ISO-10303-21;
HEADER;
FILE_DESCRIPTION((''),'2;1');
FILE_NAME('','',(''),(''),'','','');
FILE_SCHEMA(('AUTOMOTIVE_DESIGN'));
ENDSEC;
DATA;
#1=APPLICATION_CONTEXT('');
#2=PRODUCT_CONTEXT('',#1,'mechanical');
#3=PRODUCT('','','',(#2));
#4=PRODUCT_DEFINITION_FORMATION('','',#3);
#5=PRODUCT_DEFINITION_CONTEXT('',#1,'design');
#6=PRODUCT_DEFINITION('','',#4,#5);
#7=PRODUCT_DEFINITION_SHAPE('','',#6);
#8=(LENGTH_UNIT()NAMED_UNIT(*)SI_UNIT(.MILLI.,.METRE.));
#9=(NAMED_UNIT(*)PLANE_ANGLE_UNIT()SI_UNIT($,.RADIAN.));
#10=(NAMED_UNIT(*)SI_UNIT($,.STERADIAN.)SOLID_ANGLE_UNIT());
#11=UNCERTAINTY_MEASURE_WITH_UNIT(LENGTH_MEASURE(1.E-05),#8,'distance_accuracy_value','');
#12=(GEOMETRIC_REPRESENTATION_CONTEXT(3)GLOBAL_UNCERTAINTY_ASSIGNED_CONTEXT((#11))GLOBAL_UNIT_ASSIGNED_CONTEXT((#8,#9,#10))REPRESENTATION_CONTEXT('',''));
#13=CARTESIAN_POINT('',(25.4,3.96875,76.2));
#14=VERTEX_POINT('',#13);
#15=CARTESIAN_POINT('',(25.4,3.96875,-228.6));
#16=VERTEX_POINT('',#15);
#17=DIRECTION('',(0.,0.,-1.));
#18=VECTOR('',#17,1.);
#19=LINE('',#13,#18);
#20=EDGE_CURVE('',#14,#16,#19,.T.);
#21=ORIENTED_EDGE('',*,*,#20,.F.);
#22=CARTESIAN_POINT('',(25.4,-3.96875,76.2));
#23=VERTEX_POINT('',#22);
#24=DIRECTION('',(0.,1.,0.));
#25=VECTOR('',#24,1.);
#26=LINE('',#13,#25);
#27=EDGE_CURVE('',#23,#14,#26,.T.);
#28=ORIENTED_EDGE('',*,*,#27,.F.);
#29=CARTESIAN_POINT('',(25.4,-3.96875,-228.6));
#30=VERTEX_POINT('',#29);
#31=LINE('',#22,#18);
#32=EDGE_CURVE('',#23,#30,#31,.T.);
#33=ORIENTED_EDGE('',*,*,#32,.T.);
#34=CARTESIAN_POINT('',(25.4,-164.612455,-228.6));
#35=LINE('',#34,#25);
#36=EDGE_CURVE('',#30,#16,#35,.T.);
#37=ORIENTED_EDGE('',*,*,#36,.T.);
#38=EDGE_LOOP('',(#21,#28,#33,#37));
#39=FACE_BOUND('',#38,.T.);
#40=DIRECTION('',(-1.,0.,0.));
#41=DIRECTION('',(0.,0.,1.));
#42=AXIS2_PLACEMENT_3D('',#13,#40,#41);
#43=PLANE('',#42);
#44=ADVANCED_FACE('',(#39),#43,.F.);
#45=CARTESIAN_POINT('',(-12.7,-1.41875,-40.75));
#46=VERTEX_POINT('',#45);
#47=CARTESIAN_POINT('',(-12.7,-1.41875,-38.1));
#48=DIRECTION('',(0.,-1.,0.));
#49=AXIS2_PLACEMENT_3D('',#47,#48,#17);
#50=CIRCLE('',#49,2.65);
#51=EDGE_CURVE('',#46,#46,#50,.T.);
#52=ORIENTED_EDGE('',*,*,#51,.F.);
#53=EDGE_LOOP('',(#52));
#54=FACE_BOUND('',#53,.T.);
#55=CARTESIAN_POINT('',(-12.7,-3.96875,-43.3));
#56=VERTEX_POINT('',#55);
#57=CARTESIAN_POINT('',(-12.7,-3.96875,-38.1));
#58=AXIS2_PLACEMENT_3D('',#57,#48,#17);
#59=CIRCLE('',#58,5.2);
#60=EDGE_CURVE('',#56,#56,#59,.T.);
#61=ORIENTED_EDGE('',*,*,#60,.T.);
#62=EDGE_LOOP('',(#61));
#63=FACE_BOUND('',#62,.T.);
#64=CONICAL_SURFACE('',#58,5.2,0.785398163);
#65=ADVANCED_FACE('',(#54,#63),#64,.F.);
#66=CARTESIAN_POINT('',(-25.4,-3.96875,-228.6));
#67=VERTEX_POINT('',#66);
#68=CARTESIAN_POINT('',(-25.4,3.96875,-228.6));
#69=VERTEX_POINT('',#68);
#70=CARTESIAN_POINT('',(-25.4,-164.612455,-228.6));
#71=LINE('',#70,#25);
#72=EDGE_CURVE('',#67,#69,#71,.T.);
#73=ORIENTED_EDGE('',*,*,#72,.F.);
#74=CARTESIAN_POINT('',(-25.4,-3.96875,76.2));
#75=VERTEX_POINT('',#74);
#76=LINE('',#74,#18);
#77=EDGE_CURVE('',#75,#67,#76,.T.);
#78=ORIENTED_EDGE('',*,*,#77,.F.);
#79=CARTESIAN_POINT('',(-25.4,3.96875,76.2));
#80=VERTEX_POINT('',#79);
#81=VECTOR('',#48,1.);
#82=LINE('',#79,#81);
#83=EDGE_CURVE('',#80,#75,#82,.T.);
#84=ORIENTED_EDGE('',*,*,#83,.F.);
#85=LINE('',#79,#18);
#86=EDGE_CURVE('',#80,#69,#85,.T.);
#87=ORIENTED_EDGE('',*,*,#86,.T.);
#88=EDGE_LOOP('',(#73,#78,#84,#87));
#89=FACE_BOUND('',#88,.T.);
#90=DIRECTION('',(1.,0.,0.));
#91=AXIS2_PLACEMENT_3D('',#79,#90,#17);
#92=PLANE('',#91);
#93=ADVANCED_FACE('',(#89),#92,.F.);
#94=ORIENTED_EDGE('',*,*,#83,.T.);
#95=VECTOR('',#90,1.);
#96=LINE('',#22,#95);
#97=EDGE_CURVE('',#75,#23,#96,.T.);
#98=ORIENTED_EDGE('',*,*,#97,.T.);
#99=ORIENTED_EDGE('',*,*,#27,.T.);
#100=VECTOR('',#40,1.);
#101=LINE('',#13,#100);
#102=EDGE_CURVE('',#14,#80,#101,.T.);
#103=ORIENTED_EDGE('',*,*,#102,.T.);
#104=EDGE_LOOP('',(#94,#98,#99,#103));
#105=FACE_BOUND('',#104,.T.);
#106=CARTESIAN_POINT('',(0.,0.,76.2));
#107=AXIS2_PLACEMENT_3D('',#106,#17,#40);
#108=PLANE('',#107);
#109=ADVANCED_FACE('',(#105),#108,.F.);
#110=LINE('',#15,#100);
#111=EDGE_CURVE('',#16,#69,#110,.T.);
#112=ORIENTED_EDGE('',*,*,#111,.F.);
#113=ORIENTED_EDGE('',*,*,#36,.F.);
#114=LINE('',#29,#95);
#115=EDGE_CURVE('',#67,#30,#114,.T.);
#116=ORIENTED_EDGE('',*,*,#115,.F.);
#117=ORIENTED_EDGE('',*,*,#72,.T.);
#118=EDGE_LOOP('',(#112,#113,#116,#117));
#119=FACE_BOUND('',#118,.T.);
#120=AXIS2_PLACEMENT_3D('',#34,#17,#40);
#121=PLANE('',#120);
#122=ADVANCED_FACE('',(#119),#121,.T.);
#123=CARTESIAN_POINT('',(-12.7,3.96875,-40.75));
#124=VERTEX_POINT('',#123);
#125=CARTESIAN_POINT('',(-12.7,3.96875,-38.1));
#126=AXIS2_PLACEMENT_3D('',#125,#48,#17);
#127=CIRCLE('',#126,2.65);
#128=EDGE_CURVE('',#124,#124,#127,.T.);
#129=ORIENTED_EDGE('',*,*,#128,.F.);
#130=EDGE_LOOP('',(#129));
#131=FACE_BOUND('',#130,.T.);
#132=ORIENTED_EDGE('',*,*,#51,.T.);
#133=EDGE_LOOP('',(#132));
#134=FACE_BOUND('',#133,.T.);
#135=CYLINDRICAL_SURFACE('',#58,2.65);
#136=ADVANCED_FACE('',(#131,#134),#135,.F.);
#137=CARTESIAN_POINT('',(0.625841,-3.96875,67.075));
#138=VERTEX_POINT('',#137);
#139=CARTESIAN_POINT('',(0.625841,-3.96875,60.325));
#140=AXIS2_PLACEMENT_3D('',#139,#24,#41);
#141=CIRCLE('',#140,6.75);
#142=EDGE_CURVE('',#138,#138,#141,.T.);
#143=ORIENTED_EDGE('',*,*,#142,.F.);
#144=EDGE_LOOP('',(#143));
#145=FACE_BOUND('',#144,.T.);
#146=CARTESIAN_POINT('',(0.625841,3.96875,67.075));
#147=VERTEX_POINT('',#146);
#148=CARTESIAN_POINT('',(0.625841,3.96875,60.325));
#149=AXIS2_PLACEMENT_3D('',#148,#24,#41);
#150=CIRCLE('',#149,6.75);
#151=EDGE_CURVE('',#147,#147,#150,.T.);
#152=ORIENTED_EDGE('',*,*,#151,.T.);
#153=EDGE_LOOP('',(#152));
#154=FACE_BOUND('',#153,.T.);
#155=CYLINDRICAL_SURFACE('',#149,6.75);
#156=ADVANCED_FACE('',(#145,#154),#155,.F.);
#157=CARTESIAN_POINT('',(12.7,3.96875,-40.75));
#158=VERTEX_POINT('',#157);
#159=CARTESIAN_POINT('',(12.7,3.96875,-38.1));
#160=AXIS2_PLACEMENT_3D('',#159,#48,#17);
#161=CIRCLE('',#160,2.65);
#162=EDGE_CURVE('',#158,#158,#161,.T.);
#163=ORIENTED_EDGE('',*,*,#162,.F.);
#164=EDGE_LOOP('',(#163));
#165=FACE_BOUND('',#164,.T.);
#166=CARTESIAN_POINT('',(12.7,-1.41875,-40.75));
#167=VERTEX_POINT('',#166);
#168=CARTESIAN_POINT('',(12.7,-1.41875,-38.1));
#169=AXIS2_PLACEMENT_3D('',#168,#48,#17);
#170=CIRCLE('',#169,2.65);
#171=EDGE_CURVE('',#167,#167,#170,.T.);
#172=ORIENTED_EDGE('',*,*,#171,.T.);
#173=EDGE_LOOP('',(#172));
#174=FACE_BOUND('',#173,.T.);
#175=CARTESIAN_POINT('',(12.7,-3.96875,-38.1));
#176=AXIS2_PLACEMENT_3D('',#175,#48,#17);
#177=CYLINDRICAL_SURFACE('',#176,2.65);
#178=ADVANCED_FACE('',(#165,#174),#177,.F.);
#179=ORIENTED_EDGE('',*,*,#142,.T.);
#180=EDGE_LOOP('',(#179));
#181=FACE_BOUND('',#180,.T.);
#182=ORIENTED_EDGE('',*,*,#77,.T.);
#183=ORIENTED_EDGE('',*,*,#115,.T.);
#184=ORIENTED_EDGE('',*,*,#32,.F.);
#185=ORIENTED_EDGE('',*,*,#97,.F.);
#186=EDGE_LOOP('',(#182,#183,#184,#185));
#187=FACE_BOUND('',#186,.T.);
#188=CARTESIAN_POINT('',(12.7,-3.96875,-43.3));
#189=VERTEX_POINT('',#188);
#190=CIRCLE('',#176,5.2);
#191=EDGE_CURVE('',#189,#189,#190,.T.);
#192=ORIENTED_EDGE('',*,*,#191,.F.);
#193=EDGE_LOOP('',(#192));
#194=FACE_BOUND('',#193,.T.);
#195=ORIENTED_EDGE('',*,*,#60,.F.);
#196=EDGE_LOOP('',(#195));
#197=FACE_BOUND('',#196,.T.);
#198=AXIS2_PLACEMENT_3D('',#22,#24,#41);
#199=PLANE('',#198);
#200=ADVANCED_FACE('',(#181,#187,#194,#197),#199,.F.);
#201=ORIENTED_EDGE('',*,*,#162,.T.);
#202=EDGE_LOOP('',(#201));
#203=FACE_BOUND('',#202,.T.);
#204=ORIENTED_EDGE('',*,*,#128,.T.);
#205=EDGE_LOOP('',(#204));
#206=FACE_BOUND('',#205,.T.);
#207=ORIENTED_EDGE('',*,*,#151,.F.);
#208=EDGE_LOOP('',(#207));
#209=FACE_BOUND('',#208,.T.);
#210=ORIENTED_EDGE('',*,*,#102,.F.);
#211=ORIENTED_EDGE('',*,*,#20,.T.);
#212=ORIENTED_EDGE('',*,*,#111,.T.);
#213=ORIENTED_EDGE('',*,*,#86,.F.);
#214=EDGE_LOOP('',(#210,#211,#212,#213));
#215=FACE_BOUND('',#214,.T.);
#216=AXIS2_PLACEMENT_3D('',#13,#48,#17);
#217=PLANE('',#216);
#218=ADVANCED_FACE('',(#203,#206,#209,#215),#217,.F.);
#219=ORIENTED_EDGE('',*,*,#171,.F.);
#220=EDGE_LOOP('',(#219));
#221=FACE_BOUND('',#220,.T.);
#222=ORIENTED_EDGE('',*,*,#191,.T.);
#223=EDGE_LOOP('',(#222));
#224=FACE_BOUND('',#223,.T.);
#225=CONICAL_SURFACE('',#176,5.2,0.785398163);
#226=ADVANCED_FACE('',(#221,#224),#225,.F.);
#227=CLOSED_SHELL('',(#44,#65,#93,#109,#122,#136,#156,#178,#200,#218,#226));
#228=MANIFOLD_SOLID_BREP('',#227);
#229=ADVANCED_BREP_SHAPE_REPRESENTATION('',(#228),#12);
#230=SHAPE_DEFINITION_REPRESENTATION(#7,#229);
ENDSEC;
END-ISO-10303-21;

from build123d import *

# Parameters (mm, degrees)
BOSS_EXTRUDE1_DEPTH                             = 76.2
BOSS_EXTRUDE1_DEPTH_BACK                        = 76.2
SKETCH3_W                                       = 50.8
SKETCH3_H                                       = 7.9375
M12_CLEARANCE_HOLE2_D                           = 13.5
CSK_FOR_M5_FLAT_HEAD_MACHINE_SCREW1_D           = 5.3
CSK_FOR_M5_FLAT_HEAD_MACHINE_SCREW1_CSINK_D     = 10.4
CSK_FOR_M5_FLAT_HEAD_MACHINE_SCREW1_CSINK_ANGLE = 90
SKETCH26_W                                      = 50.8
SKETCH26_H                                      = 152.4
BOSS_EXTRUDE2_DEPTH                             = 7.9375


with BuildPart() as part:
    # Sketch3 → Boss-Extrude1 (new, two sides: drawn at the far end of the back side and taken through both)
    with BuildSketch(Plane.XY.offset(-BOSS_EXTRUDE1_DEPTH_BACK)):
        Rectangle(SKETCH3_W, SKETCH3_H)
    extrude(amount=BOSS_EXTRUDE1_DEPTH + BOSS_EXTRUDE1_DEPTH_BACK)

    # M12 Clearance Hole2 (through all)
    with Locations(Plane(origin=(0, 3.96875, 0), x_dir=(1, 0, 0), z_dir=(0, 1, 0))):
        with Locations((0.625840615, -60.325)):
            Hole(M12_CLEARANCE_HOLE2_D / 2)

    # CSK for M5 Flat Head Machine Screw1 (through all)
    with Locations(Plane(origin=(0, -3.96875, 0), x_dir=(-1, 0, 0), z_dir=(0, -1, 0))):
        with Locations((-12.7, 38.1), (12.7, 38.1)):
            CounterSinkHole(CSK_FOR_M5_FLAT_HEAD_MACHINE_SCREW1_D / 2, CSK_FOR_M5_FLAT_HEAD_MACHINE_SCREW1_CSINK_D / 2, counter_sink_angle=CSK_FOR_M5_FLAT_HEAD_MACHINE_SCREW1_CSINK_ANGLE)

    # Sketch26 → Boss-Extrude2 (add)
    with BuildSketch(Plane(origin=(0, 3.96875, 0), x_dir=(1, 0, 0), z_dir=(0, 1, 0))):
        with Locations((0, 152.4)):
            Rectangle(SKETCH26_W, SKETCH26_H)
    extrude(amount=-BOSS_EXTRUDE2_DEPTH)


solid = part.part
